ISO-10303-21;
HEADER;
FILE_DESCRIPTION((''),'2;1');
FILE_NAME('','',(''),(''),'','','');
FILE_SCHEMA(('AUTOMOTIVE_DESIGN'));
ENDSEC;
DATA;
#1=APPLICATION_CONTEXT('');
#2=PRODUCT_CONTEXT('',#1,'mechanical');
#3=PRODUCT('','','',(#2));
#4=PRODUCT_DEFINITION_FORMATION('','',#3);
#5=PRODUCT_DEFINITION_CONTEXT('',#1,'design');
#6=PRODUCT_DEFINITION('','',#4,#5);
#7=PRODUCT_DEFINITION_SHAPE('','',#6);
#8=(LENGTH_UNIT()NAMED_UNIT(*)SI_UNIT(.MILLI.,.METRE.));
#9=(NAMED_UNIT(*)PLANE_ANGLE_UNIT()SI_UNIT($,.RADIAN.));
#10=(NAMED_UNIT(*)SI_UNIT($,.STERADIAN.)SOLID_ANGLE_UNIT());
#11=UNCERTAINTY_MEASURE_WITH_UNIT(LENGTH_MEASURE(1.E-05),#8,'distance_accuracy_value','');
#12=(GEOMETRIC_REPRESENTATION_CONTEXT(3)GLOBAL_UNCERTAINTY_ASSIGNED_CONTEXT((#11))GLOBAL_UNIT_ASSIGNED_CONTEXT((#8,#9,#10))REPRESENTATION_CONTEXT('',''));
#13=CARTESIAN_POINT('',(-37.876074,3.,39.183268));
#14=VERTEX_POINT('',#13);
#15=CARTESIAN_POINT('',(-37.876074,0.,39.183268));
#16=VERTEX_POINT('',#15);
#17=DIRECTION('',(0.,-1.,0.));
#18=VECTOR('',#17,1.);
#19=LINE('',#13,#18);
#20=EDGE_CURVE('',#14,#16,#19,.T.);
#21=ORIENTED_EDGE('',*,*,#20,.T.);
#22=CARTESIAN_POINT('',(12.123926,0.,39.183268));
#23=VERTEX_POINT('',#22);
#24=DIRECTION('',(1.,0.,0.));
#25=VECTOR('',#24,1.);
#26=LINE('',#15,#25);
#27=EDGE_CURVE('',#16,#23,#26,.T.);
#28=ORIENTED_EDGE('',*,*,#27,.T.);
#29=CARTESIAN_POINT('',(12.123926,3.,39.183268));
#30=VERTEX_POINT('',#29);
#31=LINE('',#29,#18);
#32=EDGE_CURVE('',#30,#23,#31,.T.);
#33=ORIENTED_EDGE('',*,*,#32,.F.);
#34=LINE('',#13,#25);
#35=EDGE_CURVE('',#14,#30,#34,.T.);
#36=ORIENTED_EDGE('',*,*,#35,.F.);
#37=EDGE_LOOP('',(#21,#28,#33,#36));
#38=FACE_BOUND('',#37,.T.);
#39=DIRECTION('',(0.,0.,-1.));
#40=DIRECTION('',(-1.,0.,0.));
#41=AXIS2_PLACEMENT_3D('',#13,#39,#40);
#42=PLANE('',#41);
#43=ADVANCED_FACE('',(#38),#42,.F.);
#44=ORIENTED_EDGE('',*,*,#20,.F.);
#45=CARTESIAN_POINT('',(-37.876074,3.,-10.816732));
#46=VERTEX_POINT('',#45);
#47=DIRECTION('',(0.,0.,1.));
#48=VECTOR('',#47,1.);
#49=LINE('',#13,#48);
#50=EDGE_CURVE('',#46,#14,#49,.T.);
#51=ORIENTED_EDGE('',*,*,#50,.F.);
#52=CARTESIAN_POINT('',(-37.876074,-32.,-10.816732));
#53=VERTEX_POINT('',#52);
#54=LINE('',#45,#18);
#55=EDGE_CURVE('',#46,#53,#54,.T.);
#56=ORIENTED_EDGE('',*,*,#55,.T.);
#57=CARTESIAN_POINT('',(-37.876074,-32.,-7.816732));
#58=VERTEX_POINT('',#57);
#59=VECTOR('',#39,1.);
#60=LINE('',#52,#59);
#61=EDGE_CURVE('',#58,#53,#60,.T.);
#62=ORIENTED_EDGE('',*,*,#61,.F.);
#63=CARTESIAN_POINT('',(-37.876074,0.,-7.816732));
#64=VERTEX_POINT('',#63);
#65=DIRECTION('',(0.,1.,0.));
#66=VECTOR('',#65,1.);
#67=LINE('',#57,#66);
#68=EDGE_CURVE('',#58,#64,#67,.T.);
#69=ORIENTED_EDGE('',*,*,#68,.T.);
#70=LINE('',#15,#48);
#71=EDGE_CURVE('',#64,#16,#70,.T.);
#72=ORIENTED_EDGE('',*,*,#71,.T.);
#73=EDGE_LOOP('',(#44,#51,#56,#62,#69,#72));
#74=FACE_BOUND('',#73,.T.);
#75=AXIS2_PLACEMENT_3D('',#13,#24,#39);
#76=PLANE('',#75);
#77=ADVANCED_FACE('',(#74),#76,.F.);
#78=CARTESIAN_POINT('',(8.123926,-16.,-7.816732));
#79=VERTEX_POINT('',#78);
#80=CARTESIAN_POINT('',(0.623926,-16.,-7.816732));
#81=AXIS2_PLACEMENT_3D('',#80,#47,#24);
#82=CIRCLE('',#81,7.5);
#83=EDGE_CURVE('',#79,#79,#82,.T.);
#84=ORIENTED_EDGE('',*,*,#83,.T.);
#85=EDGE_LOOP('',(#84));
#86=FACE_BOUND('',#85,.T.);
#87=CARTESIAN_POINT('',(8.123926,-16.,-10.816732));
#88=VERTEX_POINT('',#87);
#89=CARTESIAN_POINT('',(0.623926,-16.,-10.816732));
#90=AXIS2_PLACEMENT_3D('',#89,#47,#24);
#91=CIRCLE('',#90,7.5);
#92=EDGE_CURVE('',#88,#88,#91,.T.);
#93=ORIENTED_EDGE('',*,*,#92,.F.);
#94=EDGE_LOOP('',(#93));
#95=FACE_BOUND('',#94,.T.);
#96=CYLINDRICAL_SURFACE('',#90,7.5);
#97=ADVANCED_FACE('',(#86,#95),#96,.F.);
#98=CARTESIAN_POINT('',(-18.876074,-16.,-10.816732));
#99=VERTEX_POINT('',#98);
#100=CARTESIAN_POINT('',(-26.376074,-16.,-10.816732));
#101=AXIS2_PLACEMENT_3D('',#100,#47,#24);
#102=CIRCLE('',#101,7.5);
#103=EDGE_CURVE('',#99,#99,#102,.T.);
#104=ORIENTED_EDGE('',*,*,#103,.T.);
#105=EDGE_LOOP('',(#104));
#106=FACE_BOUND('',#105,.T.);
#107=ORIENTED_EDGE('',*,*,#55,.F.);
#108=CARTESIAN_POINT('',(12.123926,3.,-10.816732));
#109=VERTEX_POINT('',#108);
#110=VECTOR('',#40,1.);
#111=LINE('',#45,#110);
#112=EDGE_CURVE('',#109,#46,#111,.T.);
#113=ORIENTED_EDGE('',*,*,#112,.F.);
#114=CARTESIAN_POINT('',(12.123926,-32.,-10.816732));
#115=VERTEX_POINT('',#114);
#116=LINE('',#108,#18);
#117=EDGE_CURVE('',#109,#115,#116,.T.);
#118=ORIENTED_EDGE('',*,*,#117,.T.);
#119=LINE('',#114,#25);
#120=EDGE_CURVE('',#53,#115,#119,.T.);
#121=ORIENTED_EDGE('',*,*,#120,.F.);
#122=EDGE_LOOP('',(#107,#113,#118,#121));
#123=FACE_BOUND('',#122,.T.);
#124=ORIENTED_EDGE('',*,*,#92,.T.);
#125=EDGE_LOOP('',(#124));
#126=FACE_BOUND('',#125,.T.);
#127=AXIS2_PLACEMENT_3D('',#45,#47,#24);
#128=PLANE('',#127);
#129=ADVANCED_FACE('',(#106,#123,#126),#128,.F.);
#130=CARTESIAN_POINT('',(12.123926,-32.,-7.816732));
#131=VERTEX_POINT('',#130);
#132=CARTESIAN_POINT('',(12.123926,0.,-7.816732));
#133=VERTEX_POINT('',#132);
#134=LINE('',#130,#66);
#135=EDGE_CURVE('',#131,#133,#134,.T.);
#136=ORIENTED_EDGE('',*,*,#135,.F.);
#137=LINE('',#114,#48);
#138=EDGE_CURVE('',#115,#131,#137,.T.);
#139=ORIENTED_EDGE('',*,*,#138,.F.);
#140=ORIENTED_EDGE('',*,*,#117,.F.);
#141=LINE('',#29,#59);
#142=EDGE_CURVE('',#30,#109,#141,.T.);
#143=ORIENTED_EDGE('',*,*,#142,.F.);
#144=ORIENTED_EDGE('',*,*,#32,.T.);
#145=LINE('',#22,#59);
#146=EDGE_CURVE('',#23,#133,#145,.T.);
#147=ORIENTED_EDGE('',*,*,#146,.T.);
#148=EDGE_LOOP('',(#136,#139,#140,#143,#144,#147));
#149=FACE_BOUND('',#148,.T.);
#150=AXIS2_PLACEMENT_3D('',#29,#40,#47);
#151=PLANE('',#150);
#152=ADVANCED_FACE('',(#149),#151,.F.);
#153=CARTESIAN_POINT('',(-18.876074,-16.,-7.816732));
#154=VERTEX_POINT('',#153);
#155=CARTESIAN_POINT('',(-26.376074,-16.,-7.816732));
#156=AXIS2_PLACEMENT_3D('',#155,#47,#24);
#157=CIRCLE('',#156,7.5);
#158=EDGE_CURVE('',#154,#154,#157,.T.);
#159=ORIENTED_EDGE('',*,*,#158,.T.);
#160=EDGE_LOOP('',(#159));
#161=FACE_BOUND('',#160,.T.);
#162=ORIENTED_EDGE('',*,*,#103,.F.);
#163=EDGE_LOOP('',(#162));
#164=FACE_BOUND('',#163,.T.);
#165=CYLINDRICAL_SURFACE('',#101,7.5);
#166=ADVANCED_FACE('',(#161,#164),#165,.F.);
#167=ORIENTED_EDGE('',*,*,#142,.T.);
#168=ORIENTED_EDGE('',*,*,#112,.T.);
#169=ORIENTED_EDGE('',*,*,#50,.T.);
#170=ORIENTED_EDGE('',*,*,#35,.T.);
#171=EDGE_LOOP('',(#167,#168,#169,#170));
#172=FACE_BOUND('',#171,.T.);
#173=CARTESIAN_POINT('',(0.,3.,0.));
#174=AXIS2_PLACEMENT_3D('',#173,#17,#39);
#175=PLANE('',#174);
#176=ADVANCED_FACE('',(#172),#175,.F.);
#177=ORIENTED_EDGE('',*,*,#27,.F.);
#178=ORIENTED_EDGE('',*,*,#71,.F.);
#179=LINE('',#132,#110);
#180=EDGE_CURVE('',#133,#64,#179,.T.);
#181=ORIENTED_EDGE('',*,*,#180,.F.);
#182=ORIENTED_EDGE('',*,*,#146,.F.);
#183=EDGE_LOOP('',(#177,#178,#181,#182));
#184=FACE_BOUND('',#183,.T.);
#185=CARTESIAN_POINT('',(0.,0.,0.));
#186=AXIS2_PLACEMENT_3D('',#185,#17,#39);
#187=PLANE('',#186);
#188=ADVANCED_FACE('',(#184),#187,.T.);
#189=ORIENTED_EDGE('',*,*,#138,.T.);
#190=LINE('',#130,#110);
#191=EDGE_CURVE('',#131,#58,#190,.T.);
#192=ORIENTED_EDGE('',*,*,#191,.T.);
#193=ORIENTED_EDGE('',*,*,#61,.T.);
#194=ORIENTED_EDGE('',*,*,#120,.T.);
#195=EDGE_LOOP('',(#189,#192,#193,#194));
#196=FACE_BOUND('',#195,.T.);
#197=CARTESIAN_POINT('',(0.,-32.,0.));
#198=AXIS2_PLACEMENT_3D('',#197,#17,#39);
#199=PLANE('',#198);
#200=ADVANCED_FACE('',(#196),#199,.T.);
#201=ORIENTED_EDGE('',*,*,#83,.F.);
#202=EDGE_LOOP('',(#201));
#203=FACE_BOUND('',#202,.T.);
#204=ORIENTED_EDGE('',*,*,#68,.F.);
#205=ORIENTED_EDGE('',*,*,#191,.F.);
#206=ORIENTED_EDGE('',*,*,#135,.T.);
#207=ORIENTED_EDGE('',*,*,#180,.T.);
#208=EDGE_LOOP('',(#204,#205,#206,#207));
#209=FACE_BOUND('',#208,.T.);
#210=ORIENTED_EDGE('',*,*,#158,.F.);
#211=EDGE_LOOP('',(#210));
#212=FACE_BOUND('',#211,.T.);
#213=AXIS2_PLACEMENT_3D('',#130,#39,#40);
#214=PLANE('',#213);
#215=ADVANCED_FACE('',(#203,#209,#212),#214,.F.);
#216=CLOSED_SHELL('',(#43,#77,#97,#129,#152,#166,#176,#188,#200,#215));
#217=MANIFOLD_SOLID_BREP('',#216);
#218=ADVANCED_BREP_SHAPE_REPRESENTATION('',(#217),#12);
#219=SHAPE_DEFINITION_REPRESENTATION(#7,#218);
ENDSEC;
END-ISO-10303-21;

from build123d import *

# Parameters (mm, degrees)
ESBO_O2_W                = 50
ESBO_O2_H                = 50
RESSALTO_EXTRUS_O1_DEPTH = 3
ESBO_O4_W                = 50
ESBO_O4_H                = 3
RESSALTO_EXTRUS_O2_DEPTH = 32
ESBO_O6_R                = 7.5
CORTE_EXTRUS_O1_DEPTH    = 69.319814067


with BuildPart() as part:
    # Esboço2 → Ressalto-extrusão1 (new body)
    with BuildSketch(Plane(origin=(0, 0, 0), x_dir=(1, 0, 0), z_dir=(0, 1, 0))):
        with Locations((-12.876074165, -14.183267942)):
            Rectangle(ESBO_O2_W, ESBO_O2_H)
    extrude(amount=RESSALTO_EXTRUS_O1_DEPTH)

    # Esboço4 → Ressalto-extrusão2 (add)
    with BuildSketch(Plane(origin=(0, 0, 0), x_dir=(-1, 0, 0), z_dir=(0, -1, 0))):
        with Locations((12.876074165, 9.316732058)):
            Rectangle(ESBO_O4_W, ESBO_O4_H)
    extrude(amount=RESSALTO_EXTRUS_O2_DEPTH)

    # Esboço6 → Corte-extrusão1 (cut, through all)
    with BuildSketch(Plane.XY.offset(-7.816732058)):
        with Locations((-26.376074165, -16)):
            Circle(ESBO_O6_R)
        with Locations((0.623925835, -16)):
            Circle(ESBO_O6_R)
    extrude(amount=-CORTE_EXTRUS_O1_DEPTH, mode=Mode.SUBTRACT)


solid = part.part
